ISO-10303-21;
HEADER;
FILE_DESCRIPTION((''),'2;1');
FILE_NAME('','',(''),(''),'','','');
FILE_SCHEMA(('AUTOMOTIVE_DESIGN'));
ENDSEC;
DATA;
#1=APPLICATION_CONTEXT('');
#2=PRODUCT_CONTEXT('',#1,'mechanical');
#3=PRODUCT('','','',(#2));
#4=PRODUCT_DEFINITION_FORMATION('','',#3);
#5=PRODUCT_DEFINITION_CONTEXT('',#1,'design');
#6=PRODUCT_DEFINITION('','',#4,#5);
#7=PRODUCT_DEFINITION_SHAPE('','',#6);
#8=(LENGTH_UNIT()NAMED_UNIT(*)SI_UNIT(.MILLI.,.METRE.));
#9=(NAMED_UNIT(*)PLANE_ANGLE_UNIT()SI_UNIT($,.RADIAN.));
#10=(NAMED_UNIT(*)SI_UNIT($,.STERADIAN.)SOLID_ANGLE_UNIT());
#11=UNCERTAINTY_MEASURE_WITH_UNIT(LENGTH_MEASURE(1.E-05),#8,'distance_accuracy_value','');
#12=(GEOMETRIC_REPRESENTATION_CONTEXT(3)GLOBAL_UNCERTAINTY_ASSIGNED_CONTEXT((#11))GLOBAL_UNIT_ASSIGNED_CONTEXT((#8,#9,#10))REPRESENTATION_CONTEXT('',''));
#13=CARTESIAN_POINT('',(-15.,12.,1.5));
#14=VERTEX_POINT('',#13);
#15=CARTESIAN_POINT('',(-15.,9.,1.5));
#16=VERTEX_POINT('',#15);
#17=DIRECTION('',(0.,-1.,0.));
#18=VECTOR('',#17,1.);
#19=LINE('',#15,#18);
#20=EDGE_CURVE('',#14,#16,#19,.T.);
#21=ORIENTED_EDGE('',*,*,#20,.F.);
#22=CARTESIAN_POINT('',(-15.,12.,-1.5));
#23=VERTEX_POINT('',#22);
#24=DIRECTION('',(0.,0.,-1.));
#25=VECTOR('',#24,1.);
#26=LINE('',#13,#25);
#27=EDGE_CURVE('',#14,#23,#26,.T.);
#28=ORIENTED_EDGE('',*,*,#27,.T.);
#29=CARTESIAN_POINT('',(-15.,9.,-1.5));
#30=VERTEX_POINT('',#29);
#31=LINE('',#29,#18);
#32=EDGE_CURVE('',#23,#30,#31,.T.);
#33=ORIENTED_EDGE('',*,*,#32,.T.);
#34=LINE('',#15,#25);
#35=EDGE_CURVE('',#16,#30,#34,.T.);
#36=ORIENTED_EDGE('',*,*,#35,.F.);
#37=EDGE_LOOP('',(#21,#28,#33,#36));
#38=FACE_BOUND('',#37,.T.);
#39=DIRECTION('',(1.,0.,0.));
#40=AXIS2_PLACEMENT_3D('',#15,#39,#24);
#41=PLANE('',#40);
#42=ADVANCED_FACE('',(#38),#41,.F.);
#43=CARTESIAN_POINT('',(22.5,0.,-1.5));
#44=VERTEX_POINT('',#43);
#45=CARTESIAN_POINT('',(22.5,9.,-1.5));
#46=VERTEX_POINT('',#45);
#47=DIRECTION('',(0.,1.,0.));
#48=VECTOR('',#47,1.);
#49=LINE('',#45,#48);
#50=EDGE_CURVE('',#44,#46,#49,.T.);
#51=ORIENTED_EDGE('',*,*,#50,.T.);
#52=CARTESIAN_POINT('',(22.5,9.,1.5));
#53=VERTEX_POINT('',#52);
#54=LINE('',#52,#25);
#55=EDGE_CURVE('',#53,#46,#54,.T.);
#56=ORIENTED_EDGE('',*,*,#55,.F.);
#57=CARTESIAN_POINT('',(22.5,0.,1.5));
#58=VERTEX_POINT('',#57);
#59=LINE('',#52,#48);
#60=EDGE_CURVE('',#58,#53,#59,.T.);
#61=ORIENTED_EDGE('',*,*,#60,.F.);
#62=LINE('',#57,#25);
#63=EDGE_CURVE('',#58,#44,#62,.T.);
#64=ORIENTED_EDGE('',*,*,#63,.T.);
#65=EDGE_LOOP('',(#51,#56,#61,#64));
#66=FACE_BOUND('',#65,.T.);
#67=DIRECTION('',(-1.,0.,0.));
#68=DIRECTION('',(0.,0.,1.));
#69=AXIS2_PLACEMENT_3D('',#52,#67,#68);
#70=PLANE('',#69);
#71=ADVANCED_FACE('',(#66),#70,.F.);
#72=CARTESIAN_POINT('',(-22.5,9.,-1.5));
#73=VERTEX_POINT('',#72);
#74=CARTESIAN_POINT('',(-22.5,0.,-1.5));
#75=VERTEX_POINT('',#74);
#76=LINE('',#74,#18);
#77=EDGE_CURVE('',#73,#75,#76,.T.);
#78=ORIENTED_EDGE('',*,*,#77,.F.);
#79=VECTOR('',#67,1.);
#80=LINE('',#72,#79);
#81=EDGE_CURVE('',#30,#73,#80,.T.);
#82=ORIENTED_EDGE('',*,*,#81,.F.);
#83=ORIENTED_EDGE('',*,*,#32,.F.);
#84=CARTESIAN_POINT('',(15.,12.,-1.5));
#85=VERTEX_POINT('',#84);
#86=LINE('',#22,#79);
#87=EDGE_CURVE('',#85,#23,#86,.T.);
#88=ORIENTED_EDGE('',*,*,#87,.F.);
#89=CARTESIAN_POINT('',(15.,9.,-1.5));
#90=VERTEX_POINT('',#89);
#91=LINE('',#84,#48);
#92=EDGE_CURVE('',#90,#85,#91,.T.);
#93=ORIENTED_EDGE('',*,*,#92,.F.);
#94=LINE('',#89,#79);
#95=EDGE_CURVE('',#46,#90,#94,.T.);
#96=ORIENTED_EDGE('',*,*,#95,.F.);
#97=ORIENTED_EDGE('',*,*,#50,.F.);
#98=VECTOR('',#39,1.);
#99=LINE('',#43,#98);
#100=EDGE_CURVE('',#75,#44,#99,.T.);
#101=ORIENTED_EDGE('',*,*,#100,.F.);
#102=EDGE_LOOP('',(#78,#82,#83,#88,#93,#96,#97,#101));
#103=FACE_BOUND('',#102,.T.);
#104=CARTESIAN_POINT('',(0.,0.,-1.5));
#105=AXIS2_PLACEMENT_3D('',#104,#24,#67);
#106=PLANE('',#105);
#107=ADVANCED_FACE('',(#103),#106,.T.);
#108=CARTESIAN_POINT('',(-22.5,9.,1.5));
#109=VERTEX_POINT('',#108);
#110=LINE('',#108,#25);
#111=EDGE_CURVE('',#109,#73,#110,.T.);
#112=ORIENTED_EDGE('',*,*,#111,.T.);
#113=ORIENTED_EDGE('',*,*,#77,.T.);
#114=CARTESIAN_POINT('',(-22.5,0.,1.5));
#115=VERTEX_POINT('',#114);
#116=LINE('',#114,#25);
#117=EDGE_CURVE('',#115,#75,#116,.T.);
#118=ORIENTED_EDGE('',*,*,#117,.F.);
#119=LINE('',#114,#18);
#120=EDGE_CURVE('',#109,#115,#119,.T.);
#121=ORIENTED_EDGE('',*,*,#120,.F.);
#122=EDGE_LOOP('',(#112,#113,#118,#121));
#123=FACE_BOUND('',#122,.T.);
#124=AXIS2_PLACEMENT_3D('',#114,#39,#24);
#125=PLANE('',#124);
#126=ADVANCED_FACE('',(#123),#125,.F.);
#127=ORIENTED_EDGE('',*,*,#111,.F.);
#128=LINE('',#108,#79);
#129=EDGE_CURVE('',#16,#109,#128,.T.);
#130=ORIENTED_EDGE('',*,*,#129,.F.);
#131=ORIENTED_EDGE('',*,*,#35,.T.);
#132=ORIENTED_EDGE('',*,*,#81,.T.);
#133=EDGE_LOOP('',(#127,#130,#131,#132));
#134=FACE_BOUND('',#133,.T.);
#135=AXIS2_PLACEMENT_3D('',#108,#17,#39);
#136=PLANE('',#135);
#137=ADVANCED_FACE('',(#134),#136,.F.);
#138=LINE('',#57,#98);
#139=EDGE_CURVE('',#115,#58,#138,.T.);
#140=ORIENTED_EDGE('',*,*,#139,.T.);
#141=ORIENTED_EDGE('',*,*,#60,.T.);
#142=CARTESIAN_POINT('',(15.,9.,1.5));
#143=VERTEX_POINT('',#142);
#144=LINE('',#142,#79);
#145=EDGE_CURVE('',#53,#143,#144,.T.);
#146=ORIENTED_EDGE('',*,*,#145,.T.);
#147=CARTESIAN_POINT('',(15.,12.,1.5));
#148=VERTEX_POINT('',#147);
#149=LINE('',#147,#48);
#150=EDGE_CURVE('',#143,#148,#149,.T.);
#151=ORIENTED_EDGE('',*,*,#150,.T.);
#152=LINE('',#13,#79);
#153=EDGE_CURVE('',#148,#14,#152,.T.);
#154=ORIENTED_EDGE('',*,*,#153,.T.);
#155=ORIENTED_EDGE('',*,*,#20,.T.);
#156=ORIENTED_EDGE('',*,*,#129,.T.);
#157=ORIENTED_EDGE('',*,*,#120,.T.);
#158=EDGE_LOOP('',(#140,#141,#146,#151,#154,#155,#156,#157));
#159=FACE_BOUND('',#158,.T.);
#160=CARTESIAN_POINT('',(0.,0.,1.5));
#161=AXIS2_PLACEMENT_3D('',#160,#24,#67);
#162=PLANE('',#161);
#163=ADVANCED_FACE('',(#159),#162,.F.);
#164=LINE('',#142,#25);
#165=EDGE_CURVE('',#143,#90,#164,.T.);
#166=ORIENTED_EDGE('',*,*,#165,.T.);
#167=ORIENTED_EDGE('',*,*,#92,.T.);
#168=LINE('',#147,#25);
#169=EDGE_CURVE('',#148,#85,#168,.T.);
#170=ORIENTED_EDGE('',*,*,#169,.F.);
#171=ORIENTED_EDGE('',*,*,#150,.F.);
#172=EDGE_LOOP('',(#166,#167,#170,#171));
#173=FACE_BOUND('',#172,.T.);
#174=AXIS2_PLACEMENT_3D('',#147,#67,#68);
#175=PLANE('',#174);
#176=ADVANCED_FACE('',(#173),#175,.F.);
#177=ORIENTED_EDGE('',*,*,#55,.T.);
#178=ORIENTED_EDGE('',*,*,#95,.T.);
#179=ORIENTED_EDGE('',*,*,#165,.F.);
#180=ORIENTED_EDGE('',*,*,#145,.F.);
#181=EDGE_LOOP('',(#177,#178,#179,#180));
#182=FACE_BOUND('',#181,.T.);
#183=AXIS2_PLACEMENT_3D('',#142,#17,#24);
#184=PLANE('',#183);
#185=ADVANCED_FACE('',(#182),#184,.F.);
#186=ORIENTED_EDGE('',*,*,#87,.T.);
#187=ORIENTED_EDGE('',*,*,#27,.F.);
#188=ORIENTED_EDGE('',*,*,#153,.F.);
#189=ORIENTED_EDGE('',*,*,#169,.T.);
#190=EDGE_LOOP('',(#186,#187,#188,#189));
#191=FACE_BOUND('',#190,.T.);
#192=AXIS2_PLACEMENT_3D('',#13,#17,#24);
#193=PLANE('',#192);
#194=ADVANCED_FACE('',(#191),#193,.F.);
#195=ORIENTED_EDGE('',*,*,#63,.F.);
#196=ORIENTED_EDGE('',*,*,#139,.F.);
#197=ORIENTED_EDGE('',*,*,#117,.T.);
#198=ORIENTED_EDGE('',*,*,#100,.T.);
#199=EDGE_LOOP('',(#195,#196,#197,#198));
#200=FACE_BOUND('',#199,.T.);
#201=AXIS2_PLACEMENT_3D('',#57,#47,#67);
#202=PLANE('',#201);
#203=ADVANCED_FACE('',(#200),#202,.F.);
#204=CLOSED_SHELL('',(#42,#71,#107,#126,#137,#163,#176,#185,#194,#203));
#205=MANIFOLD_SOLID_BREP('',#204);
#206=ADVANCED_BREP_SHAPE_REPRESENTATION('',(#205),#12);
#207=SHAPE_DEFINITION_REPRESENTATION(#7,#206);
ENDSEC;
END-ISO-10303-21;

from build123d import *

# Parameters (mm, degrees)
BOSS_EXTRUDE1_DEPTH = 1.5


with BuildPart() as part:
    # Sketch1 → Boss-Extrude1 (new, symmetric)
    with BuildSketch(Plane.XY):
        Polygon((-22.5, 0), (-22.5, 9), (-15, 9), (-15, 12), (15, 12), (15, 9), (22.5, 9), (22.5, 0), align=None)
    extrude(amount=BOSS_EXTRUDE1_DEPTH, both=True)


solid = part.part
